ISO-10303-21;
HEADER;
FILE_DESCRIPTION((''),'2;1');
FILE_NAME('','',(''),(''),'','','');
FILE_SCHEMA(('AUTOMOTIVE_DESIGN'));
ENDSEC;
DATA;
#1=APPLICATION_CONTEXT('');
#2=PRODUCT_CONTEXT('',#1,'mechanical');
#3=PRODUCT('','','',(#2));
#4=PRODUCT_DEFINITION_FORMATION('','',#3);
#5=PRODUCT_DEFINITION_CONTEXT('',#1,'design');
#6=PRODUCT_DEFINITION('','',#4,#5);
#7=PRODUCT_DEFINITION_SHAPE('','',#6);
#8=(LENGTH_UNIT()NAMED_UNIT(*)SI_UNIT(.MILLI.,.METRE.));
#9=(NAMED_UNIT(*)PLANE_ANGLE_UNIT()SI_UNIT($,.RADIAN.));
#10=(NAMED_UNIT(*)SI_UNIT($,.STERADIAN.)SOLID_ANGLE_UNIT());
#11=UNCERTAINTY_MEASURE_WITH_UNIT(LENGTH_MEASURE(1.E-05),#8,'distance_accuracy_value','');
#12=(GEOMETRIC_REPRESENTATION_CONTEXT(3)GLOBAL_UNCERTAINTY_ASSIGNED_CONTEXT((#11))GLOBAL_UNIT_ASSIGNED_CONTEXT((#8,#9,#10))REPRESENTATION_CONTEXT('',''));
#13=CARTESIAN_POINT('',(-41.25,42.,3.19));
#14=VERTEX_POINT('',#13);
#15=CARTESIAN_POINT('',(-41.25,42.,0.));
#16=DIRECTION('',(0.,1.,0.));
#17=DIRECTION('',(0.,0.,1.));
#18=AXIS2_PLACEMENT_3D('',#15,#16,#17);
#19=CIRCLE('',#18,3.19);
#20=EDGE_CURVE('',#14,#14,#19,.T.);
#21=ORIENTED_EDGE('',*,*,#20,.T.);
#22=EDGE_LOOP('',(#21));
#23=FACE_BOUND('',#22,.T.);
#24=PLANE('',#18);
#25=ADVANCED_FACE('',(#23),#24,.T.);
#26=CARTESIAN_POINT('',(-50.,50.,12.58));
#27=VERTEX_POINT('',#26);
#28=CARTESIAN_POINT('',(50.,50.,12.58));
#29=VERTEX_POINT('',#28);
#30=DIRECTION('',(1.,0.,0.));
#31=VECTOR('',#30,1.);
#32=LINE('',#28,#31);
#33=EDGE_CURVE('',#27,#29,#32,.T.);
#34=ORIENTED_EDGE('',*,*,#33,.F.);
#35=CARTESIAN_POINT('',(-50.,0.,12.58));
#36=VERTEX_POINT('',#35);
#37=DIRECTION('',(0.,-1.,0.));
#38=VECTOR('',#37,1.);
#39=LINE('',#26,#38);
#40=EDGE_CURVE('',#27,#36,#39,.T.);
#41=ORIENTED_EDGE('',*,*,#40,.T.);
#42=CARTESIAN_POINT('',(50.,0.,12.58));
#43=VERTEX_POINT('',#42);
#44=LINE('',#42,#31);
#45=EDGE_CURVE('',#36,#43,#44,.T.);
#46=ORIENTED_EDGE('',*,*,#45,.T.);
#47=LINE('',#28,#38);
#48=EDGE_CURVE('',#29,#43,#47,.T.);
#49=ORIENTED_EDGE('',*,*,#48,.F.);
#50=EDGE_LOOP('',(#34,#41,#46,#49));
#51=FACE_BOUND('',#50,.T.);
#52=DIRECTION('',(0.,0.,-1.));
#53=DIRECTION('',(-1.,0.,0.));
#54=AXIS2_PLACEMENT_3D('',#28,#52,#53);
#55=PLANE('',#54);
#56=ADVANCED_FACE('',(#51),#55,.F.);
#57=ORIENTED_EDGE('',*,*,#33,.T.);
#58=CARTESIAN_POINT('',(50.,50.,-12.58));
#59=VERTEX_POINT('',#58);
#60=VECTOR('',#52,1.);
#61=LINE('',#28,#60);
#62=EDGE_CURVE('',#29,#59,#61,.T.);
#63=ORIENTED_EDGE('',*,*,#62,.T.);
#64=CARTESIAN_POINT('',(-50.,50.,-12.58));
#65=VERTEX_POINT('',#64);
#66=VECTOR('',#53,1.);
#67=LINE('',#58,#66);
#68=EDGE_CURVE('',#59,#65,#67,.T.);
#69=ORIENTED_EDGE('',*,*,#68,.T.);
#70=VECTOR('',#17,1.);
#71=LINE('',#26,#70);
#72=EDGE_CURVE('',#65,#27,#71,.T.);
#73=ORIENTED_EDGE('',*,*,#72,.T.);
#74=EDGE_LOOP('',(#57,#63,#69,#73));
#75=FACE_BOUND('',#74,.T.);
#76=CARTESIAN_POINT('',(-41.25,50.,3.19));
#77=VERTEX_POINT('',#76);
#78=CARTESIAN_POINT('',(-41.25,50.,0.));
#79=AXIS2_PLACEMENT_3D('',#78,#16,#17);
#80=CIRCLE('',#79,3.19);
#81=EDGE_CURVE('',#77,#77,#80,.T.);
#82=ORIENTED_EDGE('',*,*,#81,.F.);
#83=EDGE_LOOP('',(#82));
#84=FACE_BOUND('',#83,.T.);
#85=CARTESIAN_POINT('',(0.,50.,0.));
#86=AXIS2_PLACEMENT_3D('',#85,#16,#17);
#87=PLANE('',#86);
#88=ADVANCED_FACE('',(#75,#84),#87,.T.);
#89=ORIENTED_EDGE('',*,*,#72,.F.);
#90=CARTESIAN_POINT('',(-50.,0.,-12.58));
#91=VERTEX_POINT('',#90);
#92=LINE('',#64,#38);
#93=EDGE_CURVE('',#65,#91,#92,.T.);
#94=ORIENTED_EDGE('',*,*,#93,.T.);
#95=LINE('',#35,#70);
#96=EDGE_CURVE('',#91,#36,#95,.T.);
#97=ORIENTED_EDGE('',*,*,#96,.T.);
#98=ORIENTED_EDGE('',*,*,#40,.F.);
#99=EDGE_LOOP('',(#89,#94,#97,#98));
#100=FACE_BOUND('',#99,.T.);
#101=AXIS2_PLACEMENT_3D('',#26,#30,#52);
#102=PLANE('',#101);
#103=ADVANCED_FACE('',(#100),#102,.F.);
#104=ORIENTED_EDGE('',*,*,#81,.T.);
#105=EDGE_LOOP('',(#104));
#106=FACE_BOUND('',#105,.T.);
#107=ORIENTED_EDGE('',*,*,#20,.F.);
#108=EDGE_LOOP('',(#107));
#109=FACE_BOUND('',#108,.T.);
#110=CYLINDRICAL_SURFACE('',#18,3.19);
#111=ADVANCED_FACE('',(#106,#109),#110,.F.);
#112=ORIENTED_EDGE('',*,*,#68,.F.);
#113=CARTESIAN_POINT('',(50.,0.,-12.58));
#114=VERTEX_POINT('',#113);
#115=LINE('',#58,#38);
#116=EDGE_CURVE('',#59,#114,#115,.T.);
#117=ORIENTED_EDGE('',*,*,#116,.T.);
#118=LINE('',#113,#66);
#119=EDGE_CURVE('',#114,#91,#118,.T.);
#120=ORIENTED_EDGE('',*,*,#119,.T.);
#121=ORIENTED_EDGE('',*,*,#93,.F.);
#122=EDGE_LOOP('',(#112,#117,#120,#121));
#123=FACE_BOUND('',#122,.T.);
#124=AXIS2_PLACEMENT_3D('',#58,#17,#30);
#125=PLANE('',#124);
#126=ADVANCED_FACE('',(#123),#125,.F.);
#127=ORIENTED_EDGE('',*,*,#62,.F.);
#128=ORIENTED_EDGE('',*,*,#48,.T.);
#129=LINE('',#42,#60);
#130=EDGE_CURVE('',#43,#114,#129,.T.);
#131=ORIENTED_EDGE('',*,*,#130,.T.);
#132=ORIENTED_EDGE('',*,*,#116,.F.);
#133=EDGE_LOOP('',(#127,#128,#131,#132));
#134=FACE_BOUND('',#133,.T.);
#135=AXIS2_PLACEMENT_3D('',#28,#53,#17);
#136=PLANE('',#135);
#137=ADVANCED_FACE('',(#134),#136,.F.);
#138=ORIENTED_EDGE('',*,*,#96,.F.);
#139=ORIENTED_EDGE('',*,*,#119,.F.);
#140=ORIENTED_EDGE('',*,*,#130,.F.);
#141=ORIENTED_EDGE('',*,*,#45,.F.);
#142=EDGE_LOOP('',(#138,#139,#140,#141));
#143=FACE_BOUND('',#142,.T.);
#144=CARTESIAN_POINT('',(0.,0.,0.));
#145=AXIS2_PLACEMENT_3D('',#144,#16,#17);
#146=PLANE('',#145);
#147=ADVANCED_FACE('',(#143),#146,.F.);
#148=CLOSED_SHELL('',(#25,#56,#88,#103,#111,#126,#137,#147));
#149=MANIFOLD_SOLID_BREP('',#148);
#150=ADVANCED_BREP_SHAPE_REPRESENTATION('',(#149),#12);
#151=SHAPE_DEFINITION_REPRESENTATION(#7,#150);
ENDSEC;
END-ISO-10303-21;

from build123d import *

# Parameters (mm, degrees)
SKETCH1_W           = 100
SKETCH1_H           = 25.16
BOSS_EXTRUDE1_DEPTH = 50
SKETCH2_R           = 3.19
CUT_EXTRUDE1_DEPTH  = 8


with BuildPart() as part:
    # Sketch1 → Boss-Extrude1 (new body)
    with BuildSketch(Plane(origin=(0, 0, 0), x_dir=(1, 0, 0), z_dir=(0, 1, 0))):
        Rectangle(SKETCH1_W, SKETCH1_H)
    extrude(amount=BOSS_EXTRUDE1_DEPTH)

    # Sketch2 → Cut-Extrude1 (cut)
    with BuildSketch(Plane(origin=(0, 50, 0), x_dir=(1, 0, 0), z_dir=(0, 1, 0))):
        with Locations(Location((-41.25, 0, 0), (0, 0, 270))):
            Circle(SKETCH2_R)
    extrude(amount=-CUT_EXTRUDE1_DEPTH, mode=Mode.SUBTRACT)


solid = part.part
